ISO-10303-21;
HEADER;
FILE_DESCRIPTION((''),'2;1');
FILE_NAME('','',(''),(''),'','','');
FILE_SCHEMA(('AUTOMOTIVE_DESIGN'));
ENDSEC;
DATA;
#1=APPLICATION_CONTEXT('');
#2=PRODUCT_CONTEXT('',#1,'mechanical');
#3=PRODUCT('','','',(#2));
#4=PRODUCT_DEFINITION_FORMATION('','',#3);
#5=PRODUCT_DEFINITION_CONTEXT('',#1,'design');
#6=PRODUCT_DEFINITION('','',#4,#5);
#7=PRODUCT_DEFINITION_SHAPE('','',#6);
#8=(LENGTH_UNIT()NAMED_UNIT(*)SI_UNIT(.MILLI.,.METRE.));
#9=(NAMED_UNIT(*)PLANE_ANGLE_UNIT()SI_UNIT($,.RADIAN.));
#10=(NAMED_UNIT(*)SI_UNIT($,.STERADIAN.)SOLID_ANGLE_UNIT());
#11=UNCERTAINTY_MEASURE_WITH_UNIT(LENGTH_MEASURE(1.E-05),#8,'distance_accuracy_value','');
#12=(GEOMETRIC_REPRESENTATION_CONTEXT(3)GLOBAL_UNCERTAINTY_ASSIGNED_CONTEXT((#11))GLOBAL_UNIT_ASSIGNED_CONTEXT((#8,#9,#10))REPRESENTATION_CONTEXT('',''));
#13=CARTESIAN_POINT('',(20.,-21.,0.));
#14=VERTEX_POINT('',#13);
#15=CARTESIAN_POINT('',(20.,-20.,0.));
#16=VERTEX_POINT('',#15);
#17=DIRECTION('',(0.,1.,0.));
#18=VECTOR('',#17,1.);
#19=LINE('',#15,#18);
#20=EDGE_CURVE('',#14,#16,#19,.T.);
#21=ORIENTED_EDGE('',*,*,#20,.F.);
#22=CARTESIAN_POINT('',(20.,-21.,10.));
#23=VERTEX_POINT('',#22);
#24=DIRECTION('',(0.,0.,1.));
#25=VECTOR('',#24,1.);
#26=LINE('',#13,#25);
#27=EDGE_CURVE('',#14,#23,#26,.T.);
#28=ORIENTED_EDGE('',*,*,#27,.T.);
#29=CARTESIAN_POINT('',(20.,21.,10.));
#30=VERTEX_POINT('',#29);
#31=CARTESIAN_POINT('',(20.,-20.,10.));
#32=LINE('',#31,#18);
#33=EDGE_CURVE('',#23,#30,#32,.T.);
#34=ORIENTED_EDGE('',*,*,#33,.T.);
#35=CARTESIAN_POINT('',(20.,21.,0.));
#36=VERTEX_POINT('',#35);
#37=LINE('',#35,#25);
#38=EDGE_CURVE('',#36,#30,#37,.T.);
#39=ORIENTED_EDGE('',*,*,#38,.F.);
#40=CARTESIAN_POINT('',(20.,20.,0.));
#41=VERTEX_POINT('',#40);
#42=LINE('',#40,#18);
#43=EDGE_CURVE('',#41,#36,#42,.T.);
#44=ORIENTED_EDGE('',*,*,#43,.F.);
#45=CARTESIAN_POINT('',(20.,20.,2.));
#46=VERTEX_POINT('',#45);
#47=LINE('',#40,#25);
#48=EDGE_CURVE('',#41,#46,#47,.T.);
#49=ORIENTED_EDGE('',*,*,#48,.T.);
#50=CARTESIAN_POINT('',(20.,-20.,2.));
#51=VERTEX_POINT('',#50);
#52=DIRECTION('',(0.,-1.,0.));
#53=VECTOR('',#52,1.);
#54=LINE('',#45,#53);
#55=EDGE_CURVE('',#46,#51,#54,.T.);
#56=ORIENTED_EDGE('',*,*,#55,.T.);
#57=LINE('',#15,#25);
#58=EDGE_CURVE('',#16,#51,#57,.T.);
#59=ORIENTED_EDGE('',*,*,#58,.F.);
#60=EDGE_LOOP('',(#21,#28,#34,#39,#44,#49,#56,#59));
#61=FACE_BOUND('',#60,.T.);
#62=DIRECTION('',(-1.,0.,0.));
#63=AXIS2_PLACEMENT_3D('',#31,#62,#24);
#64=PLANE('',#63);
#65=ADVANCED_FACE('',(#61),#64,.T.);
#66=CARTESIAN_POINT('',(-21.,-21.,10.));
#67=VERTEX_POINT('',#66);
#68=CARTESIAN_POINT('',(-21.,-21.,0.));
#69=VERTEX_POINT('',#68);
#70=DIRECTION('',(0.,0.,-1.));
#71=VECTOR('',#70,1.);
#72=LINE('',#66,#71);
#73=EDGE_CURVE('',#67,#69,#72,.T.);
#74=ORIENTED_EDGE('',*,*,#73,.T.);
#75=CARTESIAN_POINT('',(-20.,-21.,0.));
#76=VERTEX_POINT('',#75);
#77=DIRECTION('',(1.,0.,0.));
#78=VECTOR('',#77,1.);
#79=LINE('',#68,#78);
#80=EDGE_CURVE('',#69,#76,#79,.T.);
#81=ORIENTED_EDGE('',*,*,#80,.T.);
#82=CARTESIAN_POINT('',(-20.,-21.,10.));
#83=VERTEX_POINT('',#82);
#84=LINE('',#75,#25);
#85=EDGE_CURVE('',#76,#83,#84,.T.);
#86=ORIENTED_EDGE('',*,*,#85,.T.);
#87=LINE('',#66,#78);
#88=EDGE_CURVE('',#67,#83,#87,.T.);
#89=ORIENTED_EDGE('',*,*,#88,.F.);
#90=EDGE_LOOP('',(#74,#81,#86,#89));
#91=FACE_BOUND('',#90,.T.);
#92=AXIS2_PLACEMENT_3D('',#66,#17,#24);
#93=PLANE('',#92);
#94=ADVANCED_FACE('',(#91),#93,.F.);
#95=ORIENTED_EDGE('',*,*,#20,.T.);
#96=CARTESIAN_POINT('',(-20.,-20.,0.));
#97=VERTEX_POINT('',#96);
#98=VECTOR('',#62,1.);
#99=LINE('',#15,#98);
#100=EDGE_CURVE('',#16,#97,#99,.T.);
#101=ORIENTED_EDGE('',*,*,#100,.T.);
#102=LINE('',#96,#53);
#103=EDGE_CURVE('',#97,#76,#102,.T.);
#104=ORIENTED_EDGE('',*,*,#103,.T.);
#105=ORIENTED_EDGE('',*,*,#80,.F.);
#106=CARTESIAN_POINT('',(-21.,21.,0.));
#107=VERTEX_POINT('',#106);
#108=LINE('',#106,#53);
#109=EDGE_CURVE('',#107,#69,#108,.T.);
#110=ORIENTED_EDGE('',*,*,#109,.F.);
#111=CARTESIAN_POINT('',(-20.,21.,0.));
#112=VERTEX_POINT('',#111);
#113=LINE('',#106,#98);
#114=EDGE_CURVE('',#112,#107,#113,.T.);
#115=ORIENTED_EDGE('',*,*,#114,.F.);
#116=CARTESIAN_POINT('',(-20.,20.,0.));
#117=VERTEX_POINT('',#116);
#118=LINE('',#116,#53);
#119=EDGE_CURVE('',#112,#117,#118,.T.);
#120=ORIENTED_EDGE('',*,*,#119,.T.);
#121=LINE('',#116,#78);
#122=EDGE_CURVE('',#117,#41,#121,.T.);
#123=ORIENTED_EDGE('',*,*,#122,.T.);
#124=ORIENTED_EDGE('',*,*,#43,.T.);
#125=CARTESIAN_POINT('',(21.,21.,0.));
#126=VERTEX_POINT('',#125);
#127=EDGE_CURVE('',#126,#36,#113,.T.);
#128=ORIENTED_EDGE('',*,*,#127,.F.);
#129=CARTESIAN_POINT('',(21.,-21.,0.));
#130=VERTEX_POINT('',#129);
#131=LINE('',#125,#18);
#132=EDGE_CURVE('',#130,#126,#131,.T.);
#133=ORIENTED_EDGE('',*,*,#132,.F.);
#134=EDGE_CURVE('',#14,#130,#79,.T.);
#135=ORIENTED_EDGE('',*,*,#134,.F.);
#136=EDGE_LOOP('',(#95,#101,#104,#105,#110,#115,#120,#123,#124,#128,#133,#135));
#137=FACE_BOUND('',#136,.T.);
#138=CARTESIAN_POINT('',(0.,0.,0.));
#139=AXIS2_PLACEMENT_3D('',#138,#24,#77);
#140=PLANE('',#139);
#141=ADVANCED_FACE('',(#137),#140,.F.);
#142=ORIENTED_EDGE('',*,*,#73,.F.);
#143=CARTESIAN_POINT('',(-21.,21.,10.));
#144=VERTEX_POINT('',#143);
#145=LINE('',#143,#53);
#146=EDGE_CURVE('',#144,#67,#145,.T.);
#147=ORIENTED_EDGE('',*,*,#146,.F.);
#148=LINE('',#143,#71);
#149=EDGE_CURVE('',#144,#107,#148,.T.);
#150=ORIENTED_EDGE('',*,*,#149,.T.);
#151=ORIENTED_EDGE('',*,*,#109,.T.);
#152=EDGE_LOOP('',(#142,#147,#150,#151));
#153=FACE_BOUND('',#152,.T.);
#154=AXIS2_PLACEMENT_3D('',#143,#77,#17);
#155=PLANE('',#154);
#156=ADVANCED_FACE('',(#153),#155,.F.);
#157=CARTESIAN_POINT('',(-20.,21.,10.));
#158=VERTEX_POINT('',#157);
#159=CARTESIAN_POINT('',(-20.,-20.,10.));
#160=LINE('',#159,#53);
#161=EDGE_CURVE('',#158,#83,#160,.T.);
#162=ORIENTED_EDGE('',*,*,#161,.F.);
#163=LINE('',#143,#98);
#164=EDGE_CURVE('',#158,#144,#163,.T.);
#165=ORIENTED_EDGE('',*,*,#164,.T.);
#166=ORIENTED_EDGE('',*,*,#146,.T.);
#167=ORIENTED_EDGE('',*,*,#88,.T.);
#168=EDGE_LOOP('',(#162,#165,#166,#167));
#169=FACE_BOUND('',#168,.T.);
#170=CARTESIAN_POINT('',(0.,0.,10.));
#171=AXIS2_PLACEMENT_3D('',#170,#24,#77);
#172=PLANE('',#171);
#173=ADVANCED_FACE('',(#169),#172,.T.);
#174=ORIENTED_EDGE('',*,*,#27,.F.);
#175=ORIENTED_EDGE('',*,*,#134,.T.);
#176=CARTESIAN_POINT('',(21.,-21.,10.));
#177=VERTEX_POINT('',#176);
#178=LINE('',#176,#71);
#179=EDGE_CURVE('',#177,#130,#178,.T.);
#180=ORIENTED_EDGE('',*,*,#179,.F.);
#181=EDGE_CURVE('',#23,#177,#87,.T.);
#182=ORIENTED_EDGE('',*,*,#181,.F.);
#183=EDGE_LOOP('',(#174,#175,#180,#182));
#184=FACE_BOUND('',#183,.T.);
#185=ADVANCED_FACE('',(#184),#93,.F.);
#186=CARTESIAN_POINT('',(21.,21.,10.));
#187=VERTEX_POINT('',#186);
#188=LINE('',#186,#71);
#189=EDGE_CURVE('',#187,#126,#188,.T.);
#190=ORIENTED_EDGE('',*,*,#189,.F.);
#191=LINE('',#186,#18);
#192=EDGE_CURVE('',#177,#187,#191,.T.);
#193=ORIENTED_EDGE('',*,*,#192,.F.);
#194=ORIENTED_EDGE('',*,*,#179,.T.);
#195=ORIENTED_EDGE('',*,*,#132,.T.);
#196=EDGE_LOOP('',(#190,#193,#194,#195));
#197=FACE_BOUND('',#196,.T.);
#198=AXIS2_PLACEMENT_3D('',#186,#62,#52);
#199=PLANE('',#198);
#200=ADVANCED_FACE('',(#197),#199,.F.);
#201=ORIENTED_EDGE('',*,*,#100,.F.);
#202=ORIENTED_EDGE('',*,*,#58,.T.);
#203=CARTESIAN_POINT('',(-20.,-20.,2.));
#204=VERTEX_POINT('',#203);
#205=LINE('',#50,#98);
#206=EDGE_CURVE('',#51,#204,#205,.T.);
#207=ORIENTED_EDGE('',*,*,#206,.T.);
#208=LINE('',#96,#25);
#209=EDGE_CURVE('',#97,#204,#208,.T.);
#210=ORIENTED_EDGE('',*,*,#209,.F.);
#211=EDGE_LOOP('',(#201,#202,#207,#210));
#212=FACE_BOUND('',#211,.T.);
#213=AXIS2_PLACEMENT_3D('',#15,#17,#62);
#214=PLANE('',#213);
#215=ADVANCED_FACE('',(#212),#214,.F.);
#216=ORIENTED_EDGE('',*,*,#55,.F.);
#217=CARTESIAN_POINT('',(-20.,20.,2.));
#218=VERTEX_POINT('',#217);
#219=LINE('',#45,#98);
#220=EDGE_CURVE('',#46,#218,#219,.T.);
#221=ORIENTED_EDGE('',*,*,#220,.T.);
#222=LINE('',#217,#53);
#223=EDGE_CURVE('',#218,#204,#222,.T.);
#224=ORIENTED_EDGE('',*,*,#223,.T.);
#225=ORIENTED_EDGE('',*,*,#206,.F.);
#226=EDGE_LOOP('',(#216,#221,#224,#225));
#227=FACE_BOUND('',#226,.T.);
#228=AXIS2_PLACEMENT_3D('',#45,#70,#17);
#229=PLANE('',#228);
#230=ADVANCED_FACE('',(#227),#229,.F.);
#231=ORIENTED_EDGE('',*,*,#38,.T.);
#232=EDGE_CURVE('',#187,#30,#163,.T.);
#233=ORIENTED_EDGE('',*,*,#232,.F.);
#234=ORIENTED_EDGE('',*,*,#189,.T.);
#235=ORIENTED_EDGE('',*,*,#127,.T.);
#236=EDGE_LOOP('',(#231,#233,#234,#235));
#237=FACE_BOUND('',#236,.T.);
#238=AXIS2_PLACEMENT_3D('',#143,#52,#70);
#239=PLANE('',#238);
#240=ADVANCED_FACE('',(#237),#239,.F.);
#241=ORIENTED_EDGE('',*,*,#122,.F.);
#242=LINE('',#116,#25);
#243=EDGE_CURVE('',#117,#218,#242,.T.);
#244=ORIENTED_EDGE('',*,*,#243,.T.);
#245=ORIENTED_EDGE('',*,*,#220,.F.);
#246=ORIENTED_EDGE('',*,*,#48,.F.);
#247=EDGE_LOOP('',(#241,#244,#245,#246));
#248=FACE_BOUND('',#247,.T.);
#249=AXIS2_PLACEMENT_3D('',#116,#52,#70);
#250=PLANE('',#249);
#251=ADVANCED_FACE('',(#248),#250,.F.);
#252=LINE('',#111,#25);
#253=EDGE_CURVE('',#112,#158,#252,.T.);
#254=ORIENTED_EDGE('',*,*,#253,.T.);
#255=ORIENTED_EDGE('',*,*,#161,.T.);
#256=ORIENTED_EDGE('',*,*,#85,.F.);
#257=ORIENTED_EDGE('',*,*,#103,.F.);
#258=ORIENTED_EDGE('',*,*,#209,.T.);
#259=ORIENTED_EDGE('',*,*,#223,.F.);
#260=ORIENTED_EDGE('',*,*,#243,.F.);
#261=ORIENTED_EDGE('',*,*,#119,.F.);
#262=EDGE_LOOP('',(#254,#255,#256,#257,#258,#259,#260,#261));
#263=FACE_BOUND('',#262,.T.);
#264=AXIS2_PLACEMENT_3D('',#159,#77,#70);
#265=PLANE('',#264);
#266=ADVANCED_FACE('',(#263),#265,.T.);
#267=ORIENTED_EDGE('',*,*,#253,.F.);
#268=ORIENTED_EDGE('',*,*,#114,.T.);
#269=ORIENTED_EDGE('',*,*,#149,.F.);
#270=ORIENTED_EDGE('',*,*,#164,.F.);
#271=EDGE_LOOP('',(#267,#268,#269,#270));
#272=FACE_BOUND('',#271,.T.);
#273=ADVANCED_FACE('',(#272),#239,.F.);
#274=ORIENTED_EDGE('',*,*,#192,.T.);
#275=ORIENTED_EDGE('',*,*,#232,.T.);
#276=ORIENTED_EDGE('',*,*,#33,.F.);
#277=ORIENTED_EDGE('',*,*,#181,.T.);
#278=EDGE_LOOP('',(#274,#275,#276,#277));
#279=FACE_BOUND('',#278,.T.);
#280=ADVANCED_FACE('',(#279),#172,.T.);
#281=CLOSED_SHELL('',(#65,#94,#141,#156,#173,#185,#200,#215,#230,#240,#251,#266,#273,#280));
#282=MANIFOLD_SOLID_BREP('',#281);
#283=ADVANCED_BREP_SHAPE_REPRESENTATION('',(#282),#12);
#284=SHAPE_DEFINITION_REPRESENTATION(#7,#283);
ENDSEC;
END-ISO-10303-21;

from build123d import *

# Parameters (mm, degrees)
SKETCH1_W           = 42
SKETCH1_H           = 42
SKETCH1_W_2         = 40
SKETCH1_H_2         = 40
BOSS_EXTRUDE1_DEPTH = 10
SKETCH3_W           = 2
SKETCH3_H           = 40
BOSS_EXTRUDE2_DEPTH = 40
SKETCH5_W           = 40
SKETCH5_H           = 1
CUT_EXTRUDE1_DEPTH  = 10
SKETCH6_W           = 40
SKETCH6_H           = 1
CUT_EXTRUDE2_DEPTH  = 10


with BuildPart() as part:
    # Sketch1 → Boss-Extrude1 (new body)
    with BuildSketch(Plane.XY):
        Rectangle(SKETCH1_W, SKETCH1_H)
        Rectangle(SKETCH1_W_2, SKETCH1_H_2, mode=Mode.SUBTRACT)
    extrude(amount=BOSS_EXTRUDE1_DEPTH)

    # Sketch3 → Boss-Extrude2 (add)
    with BuildSketch(Plane(origin=(-20, 0, 0), x_dir=(0, 0, -1), z_dir=(1, 0, 0))):
        with Locations((-1, 0)):
            Rectangle(SKETCH3_W, SKETCH3_H)
    extrude(amount=BOSS_EXTRUDE2_DEPTH)

    # Sketch5 → Cut-Extrude1 (cut)
    with BuildSketch(Plane.XY.offset(10)):
        with Locations((0, 20.5)):
            Rectangle(SKETCH5_W, SKETCH5_H)
    extrude(amount=-CUT_EXTRUDE1_DEPTH, mode=Mode.SUBTRACT)

    # Sketch6 → Cut-Extrude2 (cut)
    with BuildSketch(Plane.XY.offset(10)):
        with Locations((0, -20.5)):
            Rectangle(SKETCH6_W, SKETCH6_H)
    extrude(amount=-CUT_EXTRUDE2_DEPTH, mode=Mode.SUBTRACT)


solid = part.part
